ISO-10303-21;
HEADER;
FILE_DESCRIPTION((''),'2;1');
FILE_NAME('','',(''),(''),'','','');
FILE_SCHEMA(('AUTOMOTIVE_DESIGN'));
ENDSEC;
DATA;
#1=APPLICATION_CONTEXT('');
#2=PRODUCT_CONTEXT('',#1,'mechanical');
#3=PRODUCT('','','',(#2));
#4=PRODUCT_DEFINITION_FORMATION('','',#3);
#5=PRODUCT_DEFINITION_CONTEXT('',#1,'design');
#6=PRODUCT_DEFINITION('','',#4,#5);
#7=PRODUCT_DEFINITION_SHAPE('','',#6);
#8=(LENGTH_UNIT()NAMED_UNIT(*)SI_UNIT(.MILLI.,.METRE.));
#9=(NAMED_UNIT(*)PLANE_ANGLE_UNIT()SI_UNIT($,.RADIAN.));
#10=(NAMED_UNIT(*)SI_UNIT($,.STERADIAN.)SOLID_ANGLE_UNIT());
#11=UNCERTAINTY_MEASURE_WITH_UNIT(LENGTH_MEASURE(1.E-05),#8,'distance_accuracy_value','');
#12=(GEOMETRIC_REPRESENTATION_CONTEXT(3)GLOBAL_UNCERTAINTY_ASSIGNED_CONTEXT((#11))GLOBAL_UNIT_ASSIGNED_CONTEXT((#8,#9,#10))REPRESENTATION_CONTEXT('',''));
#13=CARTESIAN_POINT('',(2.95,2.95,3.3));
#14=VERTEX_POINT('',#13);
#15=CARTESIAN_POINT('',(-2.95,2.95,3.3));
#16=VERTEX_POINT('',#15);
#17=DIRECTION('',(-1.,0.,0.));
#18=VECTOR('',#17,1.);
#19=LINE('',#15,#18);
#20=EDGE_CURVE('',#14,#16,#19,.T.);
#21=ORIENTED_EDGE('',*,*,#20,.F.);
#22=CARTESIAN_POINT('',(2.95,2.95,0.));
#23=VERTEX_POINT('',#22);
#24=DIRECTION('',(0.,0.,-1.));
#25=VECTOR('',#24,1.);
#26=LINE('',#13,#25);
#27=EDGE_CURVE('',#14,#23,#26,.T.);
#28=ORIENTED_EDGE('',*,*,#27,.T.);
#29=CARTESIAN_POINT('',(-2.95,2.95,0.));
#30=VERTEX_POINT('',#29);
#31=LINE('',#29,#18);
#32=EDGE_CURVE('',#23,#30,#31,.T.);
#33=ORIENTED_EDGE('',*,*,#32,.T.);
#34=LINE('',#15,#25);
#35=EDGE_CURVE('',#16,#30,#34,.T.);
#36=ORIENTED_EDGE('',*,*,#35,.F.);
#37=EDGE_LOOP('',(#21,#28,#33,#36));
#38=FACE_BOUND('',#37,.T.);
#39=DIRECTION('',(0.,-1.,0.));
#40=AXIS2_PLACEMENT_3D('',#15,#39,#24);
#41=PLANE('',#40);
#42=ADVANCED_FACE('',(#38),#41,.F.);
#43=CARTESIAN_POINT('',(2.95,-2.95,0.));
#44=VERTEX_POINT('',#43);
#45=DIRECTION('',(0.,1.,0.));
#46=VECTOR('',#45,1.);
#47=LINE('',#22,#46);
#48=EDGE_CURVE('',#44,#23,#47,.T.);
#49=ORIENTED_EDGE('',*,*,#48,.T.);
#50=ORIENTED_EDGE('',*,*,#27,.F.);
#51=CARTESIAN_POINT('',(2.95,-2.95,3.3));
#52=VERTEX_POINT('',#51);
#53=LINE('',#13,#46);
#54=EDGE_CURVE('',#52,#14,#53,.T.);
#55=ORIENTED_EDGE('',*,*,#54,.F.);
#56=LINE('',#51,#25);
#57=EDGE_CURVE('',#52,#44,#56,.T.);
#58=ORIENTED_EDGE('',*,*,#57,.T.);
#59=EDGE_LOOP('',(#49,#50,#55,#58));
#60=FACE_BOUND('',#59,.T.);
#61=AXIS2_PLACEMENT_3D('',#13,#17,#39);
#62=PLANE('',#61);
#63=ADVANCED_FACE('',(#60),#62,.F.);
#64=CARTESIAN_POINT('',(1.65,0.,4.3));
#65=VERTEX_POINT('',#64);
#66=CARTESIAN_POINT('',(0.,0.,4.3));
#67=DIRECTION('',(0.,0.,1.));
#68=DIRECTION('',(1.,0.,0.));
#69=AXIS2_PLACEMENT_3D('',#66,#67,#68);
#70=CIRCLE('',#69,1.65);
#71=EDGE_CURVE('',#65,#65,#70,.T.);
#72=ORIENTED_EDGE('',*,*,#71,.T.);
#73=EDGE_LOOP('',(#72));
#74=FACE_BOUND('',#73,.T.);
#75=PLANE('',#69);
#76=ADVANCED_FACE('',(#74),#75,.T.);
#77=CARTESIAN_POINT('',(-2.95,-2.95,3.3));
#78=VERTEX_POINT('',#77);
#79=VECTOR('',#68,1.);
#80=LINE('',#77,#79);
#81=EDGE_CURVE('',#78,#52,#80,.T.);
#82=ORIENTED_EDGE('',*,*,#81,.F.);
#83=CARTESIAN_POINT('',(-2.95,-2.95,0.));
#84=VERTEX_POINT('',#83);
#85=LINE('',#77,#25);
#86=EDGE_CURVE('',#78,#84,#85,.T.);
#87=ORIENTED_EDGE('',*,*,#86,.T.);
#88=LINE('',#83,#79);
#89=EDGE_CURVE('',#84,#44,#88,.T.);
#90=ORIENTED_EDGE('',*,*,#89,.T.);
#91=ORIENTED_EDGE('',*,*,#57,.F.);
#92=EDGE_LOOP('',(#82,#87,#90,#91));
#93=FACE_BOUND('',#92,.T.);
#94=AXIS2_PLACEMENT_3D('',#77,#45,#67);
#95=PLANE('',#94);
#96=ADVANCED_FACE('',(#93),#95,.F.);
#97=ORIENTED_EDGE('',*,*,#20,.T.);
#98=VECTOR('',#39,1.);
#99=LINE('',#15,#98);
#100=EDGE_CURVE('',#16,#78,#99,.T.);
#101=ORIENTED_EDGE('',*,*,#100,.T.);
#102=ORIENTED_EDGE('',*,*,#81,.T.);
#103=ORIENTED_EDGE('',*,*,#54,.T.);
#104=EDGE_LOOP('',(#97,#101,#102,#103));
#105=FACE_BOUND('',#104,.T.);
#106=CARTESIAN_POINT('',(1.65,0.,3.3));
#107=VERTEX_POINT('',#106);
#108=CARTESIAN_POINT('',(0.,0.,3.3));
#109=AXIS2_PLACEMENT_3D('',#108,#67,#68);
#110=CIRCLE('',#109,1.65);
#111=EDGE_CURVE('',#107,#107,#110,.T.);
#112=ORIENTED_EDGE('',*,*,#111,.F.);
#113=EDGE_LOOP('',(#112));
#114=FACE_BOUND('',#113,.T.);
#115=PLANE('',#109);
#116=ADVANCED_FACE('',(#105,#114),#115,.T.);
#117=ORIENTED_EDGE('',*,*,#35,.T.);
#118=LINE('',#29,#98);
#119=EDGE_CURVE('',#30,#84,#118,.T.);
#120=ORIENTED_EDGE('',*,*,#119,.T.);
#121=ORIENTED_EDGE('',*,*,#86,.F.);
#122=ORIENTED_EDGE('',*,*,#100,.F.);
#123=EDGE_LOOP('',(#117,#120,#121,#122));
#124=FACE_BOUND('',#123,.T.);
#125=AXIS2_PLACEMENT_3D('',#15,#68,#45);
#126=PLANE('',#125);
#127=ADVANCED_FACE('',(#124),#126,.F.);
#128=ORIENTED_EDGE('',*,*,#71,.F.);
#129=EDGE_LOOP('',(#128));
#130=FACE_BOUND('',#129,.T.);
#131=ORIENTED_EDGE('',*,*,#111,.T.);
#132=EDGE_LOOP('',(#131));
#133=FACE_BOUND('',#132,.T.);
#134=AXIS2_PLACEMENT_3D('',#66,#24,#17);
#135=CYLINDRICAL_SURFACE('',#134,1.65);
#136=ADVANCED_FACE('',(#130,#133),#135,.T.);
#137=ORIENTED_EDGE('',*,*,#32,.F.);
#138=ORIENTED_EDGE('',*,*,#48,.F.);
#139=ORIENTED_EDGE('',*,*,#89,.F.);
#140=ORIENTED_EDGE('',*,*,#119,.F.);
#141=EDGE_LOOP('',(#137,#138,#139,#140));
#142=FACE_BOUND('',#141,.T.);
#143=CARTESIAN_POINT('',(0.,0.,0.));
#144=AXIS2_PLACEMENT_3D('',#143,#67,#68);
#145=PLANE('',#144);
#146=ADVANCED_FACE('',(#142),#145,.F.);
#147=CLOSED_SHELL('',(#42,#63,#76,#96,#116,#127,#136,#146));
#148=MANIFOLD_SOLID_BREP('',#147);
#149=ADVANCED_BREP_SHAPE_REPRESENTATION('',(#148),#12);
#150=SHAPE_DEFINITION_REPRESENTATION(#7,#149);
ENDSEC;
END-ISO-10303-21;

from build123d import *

# Parameters (mm, degrees)
ESBO_O1_W                = 5.9
ESBO_O1_H                = 5.9
RESSALTO_EXTRUS_O1_DEPTH = 3.3
ESBO_O2_R                = 1.65
RESSALTO_EXTRUS_O2_DEPTH = 1


with BuildPart() as part:
    # Esboço1 → Ressalto-extrusão1 (new body)
    with BuildSketch(Plane.XY):
        Rectangle(ESBO_O1_W, ESBO_O1_H)
    extrude(amount=RESSALTO_EXTRUS_O1_DEPTH)

    # Esboço2 → Ressalto-extrusão2 (add)
    with BuildSketch(Plane.XY.offset(3.3)):
        Circle(ESBO_O2_R)
    extrude(amount=RESSALTO_EXTRUS_O2_DEPTH)


solid = part.part
